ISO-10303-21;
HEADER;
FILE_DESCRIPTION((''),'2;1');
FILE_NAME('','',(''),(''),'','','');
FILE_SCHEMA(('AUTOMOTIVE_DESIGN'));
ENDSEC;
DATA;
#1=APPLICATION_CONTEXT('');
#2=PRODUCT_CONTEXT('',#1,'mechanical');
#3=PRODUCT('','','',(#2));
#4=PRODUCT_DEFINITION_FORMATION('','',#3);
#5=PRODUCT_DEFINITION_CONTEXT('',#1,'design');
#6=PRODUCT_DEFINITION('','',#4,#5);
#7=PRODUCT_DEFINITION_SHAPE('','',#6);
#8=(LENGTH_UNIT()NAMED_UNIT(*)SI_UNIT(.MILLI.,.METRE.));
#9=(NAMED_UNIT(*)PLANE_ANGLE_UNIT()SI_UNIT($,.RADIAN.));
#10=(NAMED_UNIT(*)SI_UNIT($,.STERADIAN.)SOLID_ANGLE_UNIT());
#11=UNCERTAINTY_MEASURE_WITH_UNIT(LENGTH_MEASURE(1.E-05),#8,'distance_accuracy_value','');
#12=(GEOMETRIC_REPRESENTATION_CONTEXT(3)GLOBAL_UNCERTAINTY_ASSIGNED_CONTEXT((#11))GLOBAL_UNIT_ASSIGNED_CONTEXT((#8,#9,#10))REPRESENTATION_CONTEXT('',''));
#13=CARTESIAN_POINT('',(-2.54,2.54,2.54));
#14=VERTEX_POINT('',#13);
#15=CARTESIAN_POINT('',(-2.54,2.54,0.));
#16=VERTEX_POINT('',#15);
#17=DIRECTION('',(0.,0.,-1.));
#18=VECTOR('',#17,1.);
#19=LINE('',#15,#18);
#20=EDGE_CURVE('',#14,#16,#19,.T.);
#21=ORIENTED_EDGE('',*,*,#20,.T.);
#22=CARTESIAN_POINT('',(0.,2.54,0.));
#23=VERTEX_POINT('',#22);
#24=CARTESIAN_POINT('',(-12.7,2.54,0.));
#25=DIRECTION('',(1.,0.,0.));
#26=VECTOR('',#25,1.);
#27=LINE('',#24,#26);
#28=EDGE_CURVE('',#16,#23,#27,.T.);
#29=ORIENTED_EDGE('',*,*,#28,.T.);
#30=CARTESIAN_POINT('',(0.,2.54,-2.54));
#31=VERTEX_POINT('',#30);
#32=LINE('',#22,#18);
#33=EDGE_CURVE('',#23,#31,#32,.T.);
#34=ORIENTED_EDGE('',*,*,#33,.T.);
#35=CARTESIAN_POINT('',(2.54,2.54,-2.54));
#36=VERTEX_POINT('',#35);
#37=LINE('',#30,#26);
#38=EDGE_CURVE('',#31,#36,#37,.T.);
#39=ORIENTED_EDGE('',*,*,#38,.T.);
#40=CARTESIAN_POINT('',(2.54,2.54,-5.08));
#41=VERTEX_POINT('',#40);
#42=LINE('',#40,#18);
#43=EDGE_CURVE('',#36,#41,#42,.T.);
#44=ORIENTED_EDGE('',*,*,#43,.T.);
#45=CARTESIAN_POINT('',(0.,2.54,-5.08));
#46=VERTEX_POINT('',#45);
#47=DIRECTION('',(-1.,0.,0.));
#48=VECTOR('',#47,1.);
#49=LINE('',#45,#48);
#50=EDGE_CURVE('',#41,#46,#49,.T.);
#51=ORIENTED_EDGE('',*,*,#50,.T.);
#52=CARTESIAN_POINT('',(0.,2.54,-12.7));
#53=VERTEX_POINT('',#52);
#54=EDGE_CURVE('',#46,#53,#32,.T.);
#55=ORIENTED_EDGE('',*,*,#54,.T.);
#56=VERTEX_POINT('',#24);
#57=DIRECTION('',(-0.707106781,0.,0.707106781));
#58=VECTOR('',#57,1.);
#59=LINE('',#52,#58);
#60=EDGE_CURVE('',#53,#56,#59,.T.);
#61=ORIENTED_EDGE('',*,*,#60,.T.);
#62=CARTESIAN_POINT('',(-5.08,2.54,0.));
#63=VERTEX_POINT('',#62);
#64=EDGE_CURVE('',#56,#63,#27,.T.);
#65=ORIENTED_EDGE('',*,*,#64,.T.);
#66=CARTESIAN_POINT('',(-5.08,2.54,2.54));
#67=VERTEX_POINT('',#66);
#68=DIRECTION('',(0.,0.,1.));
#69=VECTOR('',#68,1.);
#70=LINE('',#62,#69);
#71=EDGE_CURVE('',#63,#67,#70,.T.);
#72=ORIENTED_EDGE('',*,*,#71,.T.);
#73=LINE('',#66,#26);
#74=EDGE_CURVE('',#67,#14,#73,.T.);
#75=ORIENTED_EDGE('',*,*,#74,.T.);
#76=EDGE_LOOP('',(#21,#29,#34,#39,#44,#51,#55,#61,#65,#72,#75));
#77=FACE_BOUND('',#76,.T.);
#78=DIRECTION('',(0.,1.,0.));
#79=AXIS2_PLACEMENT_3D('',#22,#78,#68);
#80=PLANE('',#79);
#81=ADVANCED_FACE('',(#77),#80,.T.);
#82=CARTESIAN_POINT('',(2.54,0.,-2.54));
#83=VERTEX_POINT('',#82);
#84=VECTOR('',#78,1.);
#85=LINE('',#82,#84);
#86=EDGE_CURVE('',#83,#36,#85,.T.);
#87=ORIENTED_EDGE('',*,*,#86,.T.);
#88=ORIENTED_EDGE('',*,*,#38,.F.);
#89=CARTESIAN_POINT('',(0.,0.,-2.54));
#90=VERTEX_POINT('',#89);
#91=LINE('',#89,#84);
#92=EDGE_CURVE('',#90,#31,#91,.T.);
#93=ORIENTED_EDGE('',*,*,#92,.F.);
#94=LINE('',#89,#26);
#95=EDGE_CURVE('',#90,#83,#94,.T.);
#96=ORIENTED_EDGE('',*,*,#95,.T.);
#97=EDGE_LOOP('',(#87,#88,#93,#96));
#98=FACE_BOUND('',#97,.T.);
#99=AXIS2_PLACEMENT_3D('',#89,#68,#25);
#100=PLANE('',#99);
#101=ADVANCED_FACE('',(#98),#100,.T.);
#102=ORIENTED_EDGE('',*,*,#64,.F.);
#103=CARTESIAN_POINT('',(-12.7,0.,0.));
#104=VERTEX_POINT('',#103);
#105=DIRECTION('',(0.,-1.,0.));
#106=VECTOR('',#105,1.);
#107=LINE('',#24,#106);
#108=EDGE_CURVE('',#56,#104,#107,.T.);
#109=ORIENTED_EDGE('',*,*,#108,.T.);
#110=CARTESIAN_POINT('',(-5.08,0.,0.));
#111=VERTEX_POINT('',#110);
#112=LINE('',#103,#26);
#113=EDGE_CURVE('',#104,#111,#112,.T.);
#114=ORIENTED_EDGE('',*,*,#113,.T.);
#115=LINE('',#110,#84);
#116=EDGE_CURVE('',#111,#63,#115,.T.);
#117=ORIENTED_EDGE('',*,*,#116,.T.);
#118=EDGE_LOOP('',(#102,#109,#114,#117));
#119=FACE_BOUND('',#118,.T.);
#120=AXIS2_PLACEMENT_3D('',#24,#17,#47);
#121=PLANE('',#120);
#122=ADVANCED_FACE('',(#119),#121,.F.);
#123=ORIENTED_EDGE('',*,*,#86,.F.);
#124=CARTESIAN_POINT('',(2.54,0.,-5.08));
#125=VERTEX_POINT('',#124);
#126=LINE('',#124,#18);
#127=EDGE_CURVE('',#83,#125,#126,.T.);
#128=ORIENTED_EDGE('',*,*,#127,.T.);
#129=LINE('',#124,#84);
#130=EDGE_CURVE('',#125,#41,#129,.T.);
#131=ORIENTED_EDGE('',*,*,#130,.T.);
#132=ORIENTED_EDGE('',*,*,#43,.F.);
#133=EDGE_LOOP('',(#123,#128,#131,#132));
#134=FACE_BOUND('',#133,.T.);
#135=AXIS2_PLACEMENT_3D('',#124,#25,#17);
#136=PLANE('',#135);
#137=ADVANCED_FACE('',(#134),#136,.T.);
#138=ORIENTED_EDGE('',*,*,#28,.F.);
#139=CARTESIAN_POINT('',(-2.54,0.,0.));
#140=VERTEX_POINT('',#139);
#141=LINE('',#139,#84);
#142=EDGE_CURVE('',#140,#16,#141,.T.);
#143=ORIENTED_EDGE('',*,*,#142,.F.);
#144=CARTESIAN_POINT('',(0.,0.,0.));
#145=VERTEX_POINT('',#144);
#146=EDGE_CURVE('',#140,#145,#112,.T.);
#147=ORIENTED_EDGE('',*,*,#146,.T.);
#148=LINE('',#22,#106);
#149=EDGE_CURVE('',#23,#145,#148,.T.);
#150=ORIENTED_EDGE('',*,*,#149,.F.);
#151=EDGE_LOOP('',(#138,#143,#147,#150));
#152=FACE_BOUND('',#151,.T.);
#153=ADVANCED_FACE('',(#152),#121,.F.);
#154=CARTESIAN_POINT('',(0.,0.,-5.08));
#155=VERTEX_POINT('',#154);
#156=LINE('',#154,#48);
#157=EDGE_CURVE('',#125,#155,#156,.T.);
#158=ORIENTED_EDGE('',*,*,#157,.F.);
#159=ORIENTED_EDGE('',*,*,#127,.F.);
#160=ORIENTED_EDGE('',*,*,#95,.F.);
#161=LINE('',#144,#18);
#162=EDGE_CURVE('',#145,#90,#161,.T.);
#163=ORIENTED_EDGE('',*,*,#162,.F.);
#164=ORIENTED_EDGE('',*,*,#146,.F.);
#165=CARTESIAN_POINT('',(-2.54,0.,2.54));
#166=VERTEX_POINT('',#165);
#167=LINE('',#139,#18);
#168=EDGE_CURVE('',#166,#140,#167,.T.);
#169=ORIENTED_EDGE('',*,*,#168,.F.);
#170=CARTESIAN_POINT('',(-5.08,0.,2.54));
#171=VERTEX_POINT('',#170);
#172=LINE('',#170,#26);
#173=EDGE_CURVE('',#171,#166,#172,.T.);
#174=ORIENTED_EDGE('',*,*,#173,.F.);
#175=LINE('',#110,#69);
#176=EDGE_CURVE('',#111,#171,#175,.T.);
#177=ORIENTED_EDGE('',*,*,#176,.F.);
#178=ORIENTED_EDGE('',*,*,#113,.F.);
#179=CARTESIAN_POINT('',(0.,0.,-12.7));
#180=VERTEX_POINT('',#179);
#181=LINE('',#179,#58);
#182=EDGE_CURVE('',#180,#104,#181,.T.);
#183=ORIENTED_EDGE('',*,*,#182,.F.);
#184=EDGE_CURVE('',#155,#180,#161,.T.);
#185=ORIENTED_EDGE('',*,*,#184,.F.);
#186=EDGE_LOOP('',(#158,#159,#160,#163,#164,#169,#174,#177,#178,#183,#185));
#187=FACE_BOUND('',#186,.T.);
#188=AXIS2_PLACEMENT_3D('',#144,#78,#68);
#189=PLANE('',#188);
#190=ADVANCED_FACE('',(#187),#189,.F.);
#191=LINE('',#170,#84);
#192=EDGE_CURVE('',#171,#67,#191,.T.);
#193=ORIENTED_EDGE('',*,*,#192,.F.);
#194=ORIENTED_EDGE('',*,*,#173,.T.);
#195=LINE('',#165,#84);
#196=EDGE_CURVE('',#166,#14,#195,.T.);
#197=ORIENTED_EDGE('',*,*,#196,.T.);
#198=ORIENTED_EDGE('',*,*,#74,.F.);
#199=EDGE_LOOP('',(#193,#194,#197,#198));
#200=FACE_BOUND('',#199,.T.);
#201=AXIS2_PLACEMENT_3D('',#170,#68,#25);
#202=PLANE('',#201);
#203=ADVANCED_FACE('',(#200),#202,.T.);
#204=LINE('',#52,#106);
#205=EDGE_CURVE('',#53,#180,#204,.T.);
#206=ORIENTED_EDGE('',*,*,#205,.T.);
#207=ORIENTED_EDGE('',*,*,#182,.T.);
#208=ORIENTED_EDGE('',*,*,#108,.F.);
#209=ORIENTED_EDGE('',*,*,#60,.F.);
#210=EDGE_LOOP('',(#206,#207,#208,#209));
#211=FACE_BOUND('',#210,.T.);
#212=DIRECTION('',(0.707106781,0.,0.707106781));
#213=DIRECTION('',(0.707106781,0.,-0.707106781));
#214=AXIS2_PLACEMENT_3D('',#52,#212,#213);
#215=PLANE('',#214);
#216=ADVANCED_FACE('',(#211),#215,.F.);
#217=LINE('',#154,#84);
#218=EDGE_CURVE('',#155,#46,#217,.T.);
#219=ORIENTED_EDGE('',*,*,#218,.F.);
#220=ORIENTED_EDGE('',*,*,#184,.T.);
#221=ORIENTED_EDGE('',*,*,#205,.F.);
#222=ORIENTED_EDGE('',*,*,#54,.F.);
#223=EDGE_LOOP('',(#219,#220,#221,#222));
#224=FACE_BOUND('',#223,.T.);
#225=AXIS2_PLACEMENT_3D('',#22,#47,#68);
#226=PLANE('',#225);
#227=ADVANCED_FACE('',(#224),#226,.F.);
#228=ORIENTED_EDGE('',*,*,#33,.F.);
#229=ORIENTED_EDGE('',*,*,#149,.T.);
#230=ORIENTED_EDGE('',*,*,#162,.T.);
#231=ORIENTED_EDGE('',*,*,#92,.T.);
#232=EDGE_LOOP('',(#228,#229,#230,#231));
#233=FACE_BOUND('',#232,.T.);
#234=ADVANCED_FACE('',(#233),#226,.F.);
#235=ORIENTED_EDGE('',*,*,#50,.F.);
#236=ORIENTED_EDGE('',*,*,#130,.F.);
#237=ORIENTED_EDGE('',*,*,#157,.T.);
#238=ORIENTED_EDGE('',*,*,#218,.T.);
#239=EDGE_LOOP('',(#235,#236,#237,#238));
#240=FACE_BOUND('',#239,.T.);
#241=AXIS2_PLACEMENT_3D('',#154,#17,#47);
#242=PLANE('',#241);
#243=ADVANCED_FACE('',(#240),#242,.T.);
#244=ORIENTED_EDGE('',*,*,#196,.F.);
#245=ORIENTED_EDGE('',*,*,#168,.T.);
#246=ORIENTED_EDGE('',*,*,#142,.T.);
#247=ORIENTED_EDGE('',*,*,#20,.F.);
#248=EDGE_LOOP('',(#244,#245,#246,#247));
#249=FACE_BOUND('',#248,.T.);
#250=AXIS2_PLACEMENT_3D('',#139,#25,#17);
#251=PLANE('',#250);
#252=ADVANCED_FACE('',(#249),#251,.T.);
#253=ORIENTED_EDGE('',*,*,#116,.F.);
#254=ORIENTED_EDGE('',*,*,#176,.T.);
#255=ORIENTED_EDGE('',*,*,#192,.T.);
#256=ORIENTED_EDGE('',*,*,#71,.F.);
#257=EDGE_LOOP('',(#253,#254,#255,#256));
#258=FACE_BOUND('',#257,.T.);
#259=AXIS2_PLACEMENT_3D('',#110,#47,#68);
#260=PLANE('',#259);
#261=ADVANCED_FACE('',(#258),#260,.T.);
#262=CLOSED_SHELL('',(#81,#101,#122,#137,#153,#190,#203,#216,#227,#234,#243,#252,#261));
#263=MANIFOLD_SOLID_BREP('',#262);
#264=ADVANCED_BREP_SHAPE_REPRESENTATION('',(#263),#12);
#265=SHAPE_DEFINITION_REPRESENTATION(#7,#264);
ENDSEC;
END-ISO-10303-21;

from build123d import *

# Parameters (mm, degrees)
BOSS_EXTRUDE1_DEPTH = 2.54
SKETCH2_W           = 2.54
SKETCH2_H           = 2.54
BOSS_EXTRUDE2_DEPTH = 2.54


with BuildPart() as part:
    # Sketch1 → Boss-Extrude1 (new body)
    with BuildSketch(Plane(origin=(0, 0, 0), x_dir=(1, 0, 0), z_dir=(0, 1, 0))):
        Polygon((0, 0), (0, 12.7), (-12.7, 0), align=None)
    extrude(amount=BOSS_EXTRUDE1_DEPTH)

    # Sketch2 → Boss-Extrude2 (add)
    with BuildSketch(Plane(origin=(0, 2.54, 0), x_dir=(1, 0, 0), z_dir=(0, 1, 0))):
        with Locations((-3.81, -1.27)):
            Rectangle(SKETCH2_W, SKETCH2_H)
        with Locations((1.27, 3.81)):
            Rectangle(SKETCH2_W, SKETCH2_H)
    extrude(amount=-BOSS_EXTRUDE2_DEPTH)


solid = part.part
